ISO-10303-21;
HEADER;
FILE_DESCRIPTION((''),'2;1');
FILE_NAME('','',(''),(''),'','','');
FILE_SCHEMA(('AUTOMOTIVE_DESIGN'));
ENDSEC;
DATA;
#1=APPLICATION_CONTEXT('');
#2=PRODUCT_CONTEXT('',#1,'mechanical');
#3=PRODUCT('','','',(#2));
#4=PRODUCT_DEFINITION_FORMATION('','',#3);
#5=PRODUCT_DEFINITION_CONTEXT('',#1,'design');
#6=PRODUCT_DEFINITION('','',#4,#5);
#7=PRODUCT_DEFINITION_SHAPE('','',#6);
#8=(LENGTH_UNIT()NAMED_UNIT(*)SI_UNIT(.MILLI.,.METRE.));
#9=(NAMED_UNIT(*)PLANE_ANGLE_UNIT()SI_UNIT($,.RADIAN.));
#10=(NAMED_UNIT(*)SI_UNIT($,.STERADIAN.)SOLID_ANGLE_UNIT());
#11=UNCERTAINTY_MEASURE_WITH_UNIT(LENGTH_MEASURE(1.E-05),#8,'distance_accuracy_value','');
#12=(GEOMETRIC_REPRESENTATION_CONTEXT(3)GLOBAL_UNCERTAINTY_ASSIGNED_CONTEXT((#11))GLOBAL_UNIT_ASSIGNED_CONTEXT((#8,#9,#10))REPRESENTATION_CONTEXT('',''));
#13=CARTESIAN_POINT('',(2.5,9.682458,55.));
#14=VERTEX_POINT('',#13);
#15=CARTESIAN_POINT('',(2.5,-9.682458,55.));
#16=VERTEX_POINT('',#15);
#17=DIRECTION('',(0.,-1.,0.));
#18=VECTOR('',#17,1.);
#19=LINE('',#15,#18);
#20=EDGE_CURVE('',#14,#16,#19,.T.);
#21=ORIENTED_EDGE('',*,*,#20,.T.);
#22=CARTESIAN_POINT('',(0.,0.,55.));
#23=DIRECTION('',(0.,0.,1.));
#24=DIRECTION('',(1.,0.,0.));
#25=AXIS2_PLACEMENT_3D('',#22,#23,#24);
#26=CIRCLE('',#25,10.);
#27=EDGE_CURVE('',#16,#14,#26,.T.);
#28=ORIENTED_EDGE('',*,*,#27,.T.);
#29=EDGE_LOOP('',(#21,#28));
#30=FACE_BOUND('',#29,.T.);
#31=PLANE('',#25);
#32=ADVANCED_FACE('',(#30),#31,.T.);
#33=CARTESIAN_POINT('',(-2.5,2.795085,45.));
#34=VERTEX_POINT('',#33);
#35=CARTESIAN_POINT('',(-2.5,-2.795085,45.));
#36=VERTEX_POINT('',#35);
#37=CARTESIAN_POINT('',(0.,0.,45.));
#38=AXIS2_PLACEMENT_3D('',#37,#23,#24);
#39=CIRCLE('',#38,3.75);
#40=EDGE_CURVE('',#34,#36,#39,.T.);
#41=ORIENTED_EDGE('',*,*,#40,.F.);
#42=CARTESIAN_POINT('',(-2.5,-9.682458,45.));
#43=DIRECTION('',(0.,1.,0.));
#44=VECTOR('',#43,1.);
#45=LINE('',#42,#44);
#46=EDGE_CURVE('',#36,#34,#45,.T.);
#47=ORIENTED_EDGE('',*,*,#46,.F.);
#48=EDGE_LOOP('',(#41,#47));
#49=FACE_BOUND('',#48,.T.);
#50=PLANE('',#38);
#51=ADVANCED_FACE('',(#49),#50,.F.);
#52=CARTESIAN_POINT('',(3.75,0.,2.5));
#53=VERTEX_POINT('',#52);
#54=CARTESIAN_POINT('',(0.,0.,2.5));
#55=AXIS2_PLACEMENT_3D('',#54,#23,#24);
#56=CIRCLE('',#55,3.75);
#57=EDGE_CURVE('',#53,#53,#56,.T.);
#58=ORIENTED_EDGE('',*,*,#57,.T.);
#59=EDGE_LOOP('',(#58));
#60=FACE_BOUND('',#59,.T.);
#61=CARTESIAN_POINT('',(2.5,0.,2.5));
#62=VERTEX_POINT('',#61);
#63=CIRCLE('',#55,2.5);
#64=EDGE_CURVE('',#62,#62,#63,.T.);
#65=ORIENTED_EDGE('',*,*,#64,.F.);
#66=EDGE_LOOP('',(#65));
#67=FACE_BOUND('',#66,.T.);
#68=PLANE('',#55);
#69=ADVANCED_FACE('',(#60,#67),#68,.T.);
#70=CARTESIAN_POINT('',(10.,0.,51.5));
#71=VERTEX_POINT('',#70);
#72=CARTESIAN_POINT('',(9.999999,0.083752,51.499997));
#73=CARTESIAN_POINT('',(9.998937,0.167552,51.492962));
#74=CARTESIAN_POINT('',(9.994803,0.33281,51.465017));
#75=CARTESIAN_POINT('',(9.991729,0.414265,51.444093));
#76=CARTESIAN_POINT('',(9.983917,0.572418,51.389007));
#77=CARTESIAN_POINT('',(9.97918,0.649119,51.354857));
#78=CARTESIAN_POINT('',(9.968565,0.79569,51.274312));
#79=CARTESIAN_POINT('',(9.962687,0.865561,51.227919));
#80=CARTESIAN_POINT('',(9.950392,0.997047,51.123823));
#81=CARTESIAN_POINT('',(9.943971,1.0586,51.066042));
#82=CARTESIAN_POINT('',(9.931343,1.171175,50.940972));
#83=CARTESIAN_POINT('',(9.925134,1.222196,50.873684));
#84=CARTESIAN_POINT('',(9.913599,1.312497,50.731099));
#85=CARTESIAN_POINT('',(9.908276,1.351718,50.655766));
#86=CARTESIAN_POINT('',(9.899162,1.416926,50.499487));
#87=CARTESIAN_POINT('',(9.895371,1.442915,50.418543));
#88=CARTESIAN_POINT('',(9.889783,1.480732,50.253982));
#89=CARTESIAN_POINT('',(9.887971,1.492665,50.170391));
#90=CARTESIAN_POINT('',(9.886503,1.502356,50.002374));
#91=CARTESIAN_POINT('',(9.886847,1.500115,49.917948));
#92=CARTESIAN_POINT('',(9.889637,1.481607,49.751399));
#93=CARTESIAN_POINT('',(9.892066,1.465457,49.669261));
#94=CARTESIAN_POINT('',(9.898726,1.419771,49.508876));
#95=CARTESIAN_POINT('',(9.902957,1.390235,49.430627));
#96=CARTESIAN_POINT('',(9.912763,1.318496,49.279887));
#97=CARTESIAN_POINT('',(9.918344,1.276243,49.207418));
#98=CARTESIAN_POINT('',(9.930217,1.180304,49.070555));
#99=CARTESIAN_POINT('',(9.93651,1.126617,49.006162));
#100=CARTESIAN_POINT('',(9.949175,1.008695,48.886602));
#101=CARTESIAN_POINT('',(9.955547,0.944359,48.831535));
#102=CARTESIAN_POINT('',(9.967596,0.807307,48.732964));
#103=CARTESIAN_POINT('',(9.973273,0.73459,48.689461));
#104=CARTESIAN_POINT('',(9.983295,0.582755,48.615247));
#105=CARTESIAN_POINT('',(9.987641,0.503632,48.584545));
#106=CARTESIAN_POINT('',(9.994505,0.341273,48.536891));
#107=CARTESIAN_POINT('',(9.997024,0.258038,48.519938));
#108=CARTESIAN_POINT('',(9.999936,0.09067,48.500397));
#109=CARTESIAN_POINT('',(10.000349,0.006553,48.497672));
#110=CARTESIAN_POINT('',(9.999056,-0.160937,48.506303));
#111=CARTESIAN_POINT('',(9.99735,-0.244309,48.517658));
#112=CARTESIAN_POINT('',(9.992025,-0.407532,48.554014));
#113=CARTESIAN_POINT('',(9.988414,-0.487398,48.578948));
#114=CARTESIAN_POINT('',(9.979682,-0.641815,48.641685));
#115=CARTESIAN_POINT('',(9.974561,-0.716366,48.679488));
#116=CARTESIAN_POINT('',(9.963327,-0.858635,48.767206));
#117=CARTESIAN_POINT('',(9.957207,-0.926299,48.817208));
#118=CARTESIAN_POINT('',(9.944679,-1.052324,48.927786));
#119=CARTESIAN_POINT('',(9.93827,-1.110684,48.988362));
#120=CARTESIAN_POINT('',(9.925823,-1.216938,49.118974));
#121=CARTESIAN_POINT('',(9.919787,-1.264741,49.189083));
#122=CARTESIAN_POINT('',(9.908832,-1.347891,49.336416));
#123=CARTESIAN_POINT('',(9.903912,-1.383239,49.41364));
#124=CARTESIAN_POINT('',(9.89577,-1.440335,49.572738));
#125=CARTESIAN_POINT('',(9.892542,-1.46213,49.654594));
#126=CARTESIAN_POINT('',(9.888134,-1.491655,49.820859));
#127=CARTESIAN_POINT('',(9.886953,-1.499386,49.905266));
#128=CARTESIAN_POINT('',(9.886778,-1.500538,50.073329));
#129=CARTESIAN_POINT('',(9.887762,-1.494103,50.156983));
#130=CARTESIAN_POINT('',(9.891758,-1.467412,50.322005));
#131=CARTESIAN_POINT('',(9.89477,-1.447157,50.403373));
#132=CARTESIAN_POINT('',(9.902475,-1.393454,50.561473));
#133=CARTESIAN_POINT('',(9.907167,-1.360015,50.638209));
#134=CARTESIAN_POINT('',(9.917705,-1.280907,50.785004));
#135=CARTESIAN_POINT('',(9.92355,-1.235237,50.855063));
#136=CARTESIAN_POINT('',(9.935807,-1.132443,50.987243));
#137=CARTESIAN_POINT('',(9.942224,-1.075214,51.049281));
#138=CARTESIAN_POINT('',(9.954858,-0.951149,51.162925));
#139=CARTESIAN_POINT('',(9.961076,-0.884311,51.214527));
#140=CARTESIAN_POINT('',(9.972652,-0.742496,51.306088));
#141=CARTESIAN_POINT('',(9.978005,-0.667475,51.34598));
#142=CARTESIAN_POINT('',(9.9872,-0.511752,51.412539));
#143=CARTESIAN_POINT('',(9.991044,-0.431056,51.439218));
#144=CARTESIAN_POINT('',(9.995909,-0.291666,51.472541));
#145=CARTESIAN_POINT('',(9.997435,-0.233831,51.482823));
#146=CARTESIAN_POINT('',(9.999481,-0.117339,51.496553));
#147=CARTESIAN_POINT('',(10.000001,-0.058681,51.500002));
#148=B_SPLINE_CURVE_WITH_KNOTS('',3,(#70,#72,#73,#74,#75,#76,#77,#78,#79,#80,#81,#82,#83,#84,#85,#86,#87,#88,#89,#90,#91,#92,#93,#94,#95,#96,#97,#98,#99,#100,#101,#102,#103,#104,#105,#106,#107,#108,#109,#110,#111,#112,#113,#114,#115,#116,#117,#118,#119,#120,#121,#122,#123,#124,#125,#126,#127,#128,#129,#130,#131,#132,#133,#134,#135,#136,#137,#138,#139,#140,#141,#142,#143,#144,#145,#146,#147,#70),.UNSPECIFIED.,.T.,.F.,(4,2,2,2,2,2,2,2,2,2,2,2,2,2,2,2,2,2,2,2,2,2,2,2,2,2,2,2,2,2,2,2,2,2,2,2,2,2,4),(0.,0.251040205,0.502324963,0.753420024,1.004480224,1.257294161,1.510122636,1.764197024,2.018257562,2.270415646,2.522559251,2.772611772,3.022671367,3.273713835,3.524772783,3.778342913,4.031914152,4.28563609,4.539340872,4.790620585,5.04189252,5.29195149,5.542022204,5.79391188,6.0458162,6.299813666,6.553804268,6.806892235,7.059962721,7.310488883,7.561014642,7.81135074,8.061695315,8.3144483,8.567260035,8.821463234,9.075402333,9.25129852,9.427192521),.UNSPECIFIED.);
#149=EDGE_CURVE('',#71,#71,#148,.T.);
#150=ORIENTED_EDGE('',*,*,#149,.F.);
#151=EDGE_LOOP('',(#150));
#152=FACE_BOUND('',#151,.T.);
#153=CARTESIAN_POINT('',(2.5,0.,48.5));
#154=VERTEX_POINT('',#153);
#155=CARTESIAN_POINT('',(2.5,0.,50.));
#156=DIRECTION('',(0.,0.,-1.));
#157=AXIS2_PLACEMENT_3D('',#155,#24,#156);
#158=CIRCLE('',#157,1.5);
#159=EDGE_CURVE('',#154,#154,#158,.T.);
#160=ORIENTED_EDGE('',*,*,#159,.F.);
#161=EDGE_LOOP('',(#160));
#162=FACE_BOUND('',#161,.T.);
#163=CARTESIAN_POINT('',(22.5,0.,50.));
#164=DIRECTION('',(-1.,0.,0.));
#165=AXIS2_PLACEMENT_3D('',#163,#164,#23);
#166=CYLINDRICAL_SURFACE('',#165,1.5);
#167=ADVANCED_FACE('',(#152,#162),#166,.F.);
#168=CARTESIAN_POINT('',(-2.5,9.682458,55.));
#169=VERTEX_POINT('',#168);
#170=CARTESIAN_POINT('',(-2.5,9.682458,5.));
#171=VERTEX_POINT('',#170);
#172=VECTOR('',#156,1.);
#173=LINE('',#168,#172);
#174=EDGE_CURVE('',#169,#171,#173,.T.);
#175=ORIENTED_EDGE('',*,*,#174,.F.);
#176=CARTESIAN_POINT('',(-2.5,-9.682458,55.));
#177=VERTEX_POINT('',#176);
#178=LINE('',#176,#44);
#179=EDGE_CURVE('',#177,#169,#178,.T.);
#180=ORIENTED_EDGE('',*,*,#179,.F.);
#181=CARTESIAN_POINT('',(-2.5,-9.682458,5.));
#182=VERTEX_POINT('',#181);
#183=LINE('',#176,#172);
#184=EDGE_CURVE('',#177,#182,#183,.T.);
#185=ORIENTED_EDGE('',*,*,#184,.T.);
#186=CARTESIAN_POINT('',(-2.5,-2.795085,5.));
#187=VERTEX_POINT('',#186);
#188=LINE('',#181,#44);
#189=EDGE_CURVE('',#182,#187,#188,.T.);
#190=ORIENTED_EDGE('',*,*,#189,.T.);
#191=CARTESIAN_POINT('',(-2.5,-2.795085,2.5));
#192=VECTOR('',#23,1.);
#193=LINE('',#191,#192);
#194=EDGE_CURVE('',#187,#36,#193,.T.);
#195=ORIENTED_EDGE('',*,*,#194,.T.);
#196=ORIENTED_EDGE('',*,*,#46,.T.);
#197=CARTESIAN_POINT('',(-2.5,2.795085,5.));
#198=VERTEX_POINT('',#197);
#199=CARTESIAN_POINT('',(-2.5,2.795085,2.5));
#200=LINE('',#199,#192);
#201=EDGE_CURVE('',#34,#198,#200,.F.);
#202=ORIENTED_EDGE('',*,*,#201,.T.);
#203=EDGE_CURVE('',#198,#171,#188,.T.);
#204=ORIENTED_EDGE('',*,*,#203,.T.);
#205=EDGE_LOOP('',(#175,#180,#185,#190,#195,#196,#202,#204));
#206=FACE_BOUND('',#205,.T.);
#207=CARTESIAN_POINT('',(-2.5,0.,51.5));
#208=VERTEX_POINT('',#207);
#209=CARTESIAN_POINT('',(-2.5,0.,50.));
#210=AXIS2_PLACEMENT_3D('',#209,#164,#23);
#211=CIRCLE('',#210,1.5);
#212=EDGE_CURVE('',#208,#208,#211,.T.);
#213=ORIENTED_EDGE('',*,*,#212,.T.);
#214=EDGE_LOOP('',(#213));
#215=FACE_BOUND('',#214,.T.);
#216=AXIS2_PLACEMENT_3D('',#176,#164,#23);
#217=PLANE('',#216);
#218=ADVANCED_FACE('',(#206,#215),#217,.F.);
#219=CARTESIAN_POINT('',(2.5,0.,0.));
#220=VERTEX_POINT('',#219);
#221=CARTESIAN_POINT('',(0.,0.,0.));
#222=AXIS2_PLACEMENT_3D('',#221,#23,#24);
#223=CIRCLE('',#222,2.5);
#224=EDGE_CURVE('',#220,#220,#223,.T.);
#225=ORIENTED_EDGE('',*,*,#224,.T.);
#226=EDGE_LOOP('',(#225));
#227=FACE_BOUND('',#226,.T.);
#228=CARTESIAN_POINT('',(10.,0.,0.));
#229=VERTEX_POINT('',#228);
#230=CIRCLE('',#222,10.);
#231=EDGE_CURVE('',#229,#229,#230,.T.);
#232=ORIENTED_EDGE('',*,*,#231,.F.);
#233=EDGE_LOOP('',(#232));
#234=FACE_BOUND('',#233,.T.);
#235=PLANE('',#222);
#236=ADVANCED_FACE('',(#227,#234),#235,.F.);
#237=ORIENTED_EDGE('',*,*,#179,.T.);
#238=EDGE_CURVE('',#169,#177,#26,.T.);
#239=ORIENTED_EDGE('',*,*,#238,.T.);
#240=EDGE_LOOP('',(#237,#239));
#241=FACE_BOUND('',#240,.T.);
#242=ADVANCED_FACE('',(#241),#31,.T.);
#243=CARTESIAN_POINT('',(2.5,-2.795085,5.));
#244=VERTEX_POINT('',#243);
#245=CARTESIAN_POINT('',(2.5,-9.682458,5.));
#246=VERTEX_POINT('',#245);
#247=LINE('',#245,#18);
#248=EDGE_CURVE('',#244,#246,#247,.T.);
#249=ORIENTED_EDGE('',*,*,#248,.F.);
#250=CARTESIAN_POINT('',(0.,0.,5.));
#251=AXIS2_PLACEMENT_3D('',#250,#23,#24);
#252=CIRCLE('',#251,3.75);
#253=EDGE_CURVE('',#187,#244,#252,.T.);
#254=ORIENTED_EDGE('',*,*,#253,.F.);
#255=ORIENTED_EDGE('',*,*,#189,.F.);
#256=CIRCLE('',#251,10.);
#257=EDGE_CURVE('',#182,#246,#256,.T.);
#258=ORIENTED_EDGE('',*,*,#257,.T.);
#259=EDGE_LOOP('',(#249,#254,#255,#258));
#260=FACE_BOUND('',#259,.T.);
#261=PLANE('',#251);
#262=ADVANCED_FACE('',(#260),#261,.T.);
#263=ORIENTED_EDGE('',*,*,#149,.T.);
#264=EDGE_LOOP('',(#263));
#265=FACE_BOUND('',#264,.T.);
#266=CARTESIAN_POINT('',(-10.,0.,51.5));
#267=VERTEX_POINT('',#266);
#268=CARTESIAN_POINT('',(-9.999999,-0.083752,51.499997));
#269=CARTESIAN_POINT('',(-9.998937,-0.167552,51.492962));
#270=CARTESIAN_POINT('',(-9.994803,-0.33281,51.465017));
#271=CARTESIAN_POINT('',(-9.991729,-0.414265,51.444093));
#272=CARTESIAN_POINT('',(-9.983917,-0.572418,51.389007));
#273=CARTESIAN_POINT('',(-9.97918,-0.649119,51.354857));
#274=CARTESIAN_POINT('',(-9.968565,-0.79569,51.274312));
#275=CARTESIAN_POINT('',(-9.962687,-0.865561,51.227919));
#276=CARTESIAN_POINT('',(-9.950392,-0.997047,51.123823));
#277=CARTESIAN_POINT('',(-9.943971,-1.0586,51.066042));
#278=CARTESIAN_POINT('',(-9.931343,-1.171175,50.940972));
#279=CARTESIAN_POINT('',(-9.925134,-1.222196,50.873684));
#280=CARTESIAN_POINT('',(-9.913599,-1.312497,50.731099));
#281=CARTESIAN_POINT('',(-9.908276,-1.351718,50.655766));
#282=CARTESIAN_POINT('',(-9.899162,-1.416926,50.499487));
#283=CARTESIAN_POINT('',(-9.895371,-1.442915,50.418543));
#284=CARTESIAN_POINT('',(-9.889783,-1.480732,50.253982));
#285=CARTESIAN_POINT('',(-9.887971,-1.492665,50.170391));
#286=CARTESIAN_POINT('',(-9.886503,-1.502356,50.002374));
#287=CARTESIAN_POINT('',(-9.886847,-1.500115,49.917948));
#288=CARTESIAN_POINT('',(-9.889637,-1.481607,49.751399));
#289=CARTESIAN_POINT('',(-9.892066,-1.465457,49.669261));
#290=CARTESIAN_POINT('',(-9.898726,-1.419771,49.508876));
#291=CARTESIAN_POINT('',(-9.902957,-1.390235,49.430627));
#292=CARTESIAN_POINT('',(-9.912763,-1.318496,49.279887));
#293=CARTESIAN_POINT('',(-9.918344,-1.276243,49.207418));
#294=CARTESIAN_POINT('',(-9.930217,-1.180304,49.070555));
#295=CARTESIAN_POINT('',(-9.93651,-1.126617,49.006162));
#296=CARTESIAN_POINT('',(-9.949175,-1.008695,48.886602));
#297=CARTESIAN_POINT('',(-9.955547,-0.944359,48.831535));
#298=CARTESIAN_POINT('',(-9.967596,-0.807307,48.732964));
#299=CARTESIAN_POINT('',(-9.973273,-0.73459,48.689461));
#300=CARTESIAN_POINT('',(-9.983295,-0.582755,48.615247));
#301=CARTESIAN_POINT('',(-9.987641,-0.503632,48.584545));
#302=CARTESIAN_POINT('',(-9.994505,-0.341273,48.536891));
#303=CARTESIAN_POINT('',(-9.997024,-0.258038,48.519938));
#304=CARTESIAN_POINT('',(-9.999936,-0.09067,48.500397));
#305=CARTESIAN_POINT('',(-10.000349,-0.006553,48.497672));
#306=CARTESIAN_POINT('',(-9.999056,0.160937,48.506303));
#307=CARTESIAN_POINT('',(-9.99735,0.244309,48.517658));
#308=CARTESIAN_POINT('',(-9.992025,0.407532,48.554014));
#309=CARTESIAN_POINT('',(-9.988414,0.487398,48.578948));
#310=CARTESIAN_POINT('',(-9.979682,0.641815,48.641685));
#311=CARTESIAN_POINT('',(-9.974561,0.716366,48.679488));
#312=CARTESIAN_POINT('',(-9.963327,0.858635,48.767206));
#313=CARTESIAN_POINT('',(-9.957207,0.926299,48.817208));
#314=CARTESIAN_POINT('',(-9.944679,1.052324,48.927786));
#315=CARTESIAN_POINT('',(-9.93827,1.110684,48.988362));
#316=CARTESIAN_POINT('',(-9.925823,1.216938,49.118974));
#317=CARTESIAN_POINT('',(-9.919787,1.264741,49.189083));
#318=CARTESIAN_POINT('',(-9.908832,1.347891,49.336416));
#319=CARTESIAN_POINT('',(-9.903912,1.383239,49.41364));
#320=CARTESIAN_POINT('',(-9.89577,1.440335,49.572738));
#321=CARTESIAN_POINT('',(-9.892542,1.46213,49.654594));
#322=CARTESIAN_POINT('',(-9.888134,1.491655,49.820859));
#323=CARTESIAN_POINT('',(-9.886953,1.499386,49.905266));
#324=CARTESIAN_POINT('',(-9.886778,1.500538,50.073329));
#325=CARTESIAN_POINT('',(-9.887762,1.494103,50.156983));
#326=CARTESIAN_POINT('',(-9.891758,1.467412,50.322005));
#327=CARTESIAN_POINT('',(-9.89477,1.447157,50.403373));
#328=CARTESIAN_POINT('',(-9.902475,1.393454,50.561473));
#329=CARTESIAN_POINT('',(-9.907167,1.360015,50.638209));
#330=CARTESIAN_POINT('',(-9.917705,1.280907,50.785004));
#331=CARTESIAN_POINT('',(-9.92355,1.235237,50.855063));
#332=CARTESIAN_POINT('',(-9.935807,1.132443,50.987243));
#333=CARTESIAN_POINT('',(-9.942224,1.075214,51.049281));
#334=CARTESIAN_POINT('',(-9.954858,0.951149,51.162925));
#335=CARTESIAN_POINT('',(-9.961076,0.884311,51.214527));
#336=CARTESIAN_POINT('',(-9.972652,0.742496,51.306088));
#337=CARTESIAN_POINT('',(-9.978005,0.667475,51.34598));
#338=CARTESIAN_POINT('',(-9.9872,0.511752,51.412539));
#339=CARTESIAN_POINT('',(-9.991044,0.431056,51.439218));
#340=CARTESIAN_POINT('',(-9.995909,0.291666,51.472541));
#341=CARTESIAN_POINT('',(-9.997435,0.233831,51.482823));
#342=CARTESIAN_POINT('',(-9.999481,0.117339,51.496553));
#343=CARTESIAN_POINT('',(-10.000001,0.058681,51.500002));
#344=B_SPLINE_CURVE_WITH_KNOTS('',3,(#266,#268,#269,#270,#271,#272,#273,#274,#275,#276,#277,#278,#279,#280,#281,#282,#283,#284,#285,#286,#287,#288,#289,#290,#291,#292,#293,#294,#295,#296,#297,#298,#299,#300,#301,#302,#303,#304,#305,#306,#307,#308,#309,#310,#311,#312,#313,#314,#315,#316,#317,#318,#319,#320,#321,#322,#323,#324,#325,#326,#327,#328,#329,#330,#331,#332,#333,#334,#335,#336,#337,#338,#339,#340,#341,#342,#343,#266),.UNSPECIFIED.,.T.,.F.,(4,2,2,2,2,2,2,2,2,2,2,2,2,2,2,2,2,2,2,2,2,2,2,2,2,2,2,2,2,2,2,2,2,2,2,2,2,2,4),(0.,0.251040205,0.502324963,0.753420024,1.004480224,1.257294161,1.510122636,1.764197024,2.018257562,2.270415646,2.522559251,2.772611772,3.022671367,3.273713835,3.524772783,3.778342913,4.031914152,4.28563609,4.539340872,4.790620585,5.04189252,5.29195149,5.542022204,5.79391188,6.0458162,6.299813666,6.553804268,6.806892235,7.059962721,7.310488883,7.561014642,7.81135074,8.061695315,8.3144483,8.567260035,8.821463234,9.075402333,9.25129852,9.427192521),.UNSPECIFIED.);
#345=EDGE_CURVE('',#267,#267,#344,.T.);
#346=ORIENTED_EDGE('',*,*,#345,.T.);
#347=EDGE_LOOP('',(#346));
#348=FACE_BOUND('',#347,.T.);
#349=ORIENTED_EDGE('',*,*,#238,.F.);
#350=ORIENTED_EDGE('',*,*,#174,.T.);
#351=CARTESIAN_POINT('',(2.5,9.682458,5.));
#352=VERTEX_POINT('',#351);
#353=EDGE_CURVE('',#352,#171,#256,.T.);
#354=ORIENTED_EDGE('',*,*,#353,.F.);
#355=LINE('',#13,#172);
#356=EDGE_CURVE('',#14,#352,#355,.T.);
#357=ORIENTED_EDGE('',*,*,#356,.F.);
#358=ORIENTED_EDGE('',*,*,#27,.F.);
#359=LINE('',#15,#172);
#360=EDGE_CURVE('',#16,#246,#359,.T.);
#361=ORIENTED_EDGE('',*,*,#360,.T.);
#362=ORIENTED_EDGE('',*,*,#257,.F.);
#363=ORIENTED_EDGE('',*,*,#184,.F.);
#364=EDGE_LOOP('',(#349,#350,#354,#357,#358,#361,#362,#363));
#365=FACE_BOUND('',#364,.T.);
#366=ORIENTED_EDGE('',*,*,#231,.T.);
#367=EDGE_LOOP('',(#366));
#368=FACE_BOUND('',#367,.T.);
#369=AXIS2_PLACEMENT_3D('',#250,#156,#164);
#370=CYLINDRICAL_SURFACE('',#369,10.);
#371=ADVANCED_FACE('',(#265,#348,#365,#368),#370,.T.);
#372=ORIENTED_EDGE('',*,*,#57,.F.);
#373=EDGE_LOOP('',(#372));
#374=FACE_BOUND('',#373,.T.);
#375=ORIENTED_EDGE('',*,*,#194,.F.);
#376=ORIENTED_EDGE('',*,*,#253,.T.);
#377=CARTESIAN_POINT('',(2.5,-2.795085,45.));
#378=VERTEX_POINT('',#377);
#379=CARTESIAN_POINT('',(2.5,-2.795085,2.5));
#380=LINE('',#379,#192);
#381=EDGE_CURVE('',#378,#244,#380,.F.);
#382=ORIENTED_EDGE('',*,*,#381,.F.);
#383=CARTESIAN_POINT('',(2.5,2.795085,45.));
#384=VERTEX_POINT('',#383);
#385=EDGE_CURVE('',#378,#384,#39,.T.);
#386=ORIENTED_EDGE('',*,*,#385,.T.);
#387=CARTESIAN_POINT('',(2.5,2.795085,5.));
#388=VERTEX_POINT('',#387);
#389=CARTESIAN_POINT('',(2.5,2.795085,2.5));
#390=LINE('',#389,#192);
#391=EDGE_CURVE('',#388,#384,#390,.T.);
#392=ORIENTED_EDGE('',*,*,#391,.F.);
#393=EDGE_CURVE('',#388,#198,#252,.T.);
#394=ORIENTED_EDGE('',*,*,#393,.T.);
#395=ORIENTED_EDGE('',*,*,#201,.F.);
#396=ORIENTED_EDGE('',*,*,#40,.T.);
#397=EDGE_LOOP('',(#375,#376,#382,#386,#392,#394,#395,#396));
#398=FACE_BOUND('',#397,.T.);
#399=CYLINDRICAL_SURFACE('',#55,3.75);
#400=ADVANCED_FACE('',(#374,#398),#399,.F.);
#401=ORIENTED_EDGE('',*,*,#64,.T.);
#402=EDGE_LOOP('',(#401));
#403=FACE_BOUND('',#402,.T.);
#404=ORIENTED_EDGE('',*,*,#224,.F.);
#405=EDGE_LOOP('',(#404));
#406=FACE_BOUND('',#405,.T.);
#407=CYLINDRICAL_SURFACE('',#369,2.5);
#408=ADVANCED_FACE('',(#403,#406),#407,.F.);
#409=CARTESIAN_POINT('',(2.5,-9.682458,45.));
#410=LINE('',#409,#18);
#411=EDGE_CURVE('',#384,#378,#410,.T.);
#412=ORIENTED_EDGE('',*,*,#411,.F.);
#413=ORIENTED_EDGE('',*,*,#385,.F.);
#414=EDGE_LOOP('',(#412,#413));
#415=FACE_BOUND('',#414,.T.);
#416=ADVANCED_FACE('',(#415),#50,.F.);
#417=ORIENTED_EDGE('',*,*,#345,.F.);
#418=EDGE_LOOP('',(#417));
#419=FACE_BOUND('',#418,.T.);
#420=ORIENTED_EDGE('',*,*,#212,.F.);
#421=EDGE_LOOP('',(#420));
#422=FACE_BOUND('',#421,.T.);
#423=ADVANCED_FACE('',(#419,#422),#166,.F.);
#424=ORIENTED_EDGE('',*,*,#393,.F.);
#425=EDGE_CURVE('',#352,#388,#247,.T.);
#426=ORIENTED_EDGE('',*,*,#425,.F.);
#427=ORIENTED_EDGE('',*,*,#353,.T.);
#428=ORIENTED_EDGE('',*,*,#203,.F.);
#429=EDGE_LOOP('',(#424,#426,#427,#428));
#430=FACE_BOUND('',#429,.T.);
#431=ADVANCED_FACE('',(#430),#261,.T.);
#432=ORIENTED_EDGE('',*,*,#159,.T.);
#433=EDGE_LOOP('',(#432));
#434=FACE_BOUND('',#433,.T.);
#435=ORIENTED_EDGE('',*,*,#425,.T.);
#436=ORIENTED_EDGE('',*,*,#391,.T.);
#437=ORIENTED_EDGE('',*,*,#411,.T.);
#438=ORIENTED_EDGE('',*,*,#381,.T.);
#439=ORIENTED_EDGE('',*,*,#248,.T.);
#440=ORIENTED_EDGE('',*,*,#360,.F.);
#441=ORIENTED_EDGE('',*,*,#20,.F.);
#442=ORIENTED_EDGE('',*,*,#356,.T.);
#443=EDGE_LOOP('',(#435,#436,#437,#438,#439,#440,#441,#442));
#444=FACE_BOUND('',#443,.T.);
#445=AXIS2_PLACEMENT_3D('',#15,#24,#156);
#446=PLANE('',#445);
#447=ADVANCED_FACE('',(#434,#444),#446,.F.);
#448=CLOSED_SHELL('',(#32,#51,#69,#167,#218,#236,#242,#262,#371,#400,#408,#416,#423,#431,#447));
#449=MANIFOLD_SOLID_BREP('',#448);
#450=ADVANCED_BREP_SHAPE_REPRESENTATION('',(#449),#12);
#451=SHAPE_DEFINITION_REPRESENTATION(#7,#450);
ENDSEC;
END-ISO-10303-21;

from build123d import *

# Parameters (mm, degrees)
CROQUIS1_R              = 10
CROQUIS1_R_2            = 2.5
SALIENTE_EXTRUIR1_DEPTH = 5
SALIENTE_EXTRUIR2_DEPTH = 50
CROQUIS3_R              = 1.5
CORTAR_EXTRUIR1_DEPTH   = 20
CROQUIS6_R              = 3.75
CORTAR_EXTRUIR3_DEPTH   = 42.5


with BuildPart() as part:
    # Croquis1 → Saliente-Extruir1 (new body)
    with BuildSketch(Plane.XY):
        Circle(CROQUIS1_R)
        Circle(CROQUIS1_R_2, mode=Mode.SUBTRACT)
    extrude(amount=SALIENTE_EXTRUIR1_DEPTH)

    # Croquis2 → Saliente-Extruir2 (add)
    with BuildSketch(Plane.XY.offset(5)):
        with BuildLine():
            Line((-2.5, -9.682458366), (-2.5, 9.682458366))
            ThreePointArc((-2.5, 9.682458366), (-10, 0), (-2.5, -9.682458366))
        make_face()
        with BuildLine():
            Line((2.5, -9.682458366), (2.5, 9.682458366))
            ThreePointArc((2.5, 9.682458366), (10, 0), (2.5, -9.682458366))
        make_face()
    extrude(amount=SALIENTE_EXTRUIR2_DEPTH)

    # Croquis3 → Cortar-Extruir1 (cut, symmetric)
    with BuildSketch(Plane.ZY.offset(-2.5)):
        with Locations((50, 0)):
            Circle(CROQUIS3_R)
    extrude(amount=CORTAR_EXTRUIR1_DEPTH, both=True, mode=Mode.SUBTRACT)

    # Croquis6 → Cortar-Extruir3 (cut)
    with BuildSketch(Plane.XY.offset(45)):
        Circle(CROQUIS6_R)
    extrude(amount=-CORTAR_EXTRUIR3_DEPTH, mode=Mode.SUBTRACT)


solid = part.part
